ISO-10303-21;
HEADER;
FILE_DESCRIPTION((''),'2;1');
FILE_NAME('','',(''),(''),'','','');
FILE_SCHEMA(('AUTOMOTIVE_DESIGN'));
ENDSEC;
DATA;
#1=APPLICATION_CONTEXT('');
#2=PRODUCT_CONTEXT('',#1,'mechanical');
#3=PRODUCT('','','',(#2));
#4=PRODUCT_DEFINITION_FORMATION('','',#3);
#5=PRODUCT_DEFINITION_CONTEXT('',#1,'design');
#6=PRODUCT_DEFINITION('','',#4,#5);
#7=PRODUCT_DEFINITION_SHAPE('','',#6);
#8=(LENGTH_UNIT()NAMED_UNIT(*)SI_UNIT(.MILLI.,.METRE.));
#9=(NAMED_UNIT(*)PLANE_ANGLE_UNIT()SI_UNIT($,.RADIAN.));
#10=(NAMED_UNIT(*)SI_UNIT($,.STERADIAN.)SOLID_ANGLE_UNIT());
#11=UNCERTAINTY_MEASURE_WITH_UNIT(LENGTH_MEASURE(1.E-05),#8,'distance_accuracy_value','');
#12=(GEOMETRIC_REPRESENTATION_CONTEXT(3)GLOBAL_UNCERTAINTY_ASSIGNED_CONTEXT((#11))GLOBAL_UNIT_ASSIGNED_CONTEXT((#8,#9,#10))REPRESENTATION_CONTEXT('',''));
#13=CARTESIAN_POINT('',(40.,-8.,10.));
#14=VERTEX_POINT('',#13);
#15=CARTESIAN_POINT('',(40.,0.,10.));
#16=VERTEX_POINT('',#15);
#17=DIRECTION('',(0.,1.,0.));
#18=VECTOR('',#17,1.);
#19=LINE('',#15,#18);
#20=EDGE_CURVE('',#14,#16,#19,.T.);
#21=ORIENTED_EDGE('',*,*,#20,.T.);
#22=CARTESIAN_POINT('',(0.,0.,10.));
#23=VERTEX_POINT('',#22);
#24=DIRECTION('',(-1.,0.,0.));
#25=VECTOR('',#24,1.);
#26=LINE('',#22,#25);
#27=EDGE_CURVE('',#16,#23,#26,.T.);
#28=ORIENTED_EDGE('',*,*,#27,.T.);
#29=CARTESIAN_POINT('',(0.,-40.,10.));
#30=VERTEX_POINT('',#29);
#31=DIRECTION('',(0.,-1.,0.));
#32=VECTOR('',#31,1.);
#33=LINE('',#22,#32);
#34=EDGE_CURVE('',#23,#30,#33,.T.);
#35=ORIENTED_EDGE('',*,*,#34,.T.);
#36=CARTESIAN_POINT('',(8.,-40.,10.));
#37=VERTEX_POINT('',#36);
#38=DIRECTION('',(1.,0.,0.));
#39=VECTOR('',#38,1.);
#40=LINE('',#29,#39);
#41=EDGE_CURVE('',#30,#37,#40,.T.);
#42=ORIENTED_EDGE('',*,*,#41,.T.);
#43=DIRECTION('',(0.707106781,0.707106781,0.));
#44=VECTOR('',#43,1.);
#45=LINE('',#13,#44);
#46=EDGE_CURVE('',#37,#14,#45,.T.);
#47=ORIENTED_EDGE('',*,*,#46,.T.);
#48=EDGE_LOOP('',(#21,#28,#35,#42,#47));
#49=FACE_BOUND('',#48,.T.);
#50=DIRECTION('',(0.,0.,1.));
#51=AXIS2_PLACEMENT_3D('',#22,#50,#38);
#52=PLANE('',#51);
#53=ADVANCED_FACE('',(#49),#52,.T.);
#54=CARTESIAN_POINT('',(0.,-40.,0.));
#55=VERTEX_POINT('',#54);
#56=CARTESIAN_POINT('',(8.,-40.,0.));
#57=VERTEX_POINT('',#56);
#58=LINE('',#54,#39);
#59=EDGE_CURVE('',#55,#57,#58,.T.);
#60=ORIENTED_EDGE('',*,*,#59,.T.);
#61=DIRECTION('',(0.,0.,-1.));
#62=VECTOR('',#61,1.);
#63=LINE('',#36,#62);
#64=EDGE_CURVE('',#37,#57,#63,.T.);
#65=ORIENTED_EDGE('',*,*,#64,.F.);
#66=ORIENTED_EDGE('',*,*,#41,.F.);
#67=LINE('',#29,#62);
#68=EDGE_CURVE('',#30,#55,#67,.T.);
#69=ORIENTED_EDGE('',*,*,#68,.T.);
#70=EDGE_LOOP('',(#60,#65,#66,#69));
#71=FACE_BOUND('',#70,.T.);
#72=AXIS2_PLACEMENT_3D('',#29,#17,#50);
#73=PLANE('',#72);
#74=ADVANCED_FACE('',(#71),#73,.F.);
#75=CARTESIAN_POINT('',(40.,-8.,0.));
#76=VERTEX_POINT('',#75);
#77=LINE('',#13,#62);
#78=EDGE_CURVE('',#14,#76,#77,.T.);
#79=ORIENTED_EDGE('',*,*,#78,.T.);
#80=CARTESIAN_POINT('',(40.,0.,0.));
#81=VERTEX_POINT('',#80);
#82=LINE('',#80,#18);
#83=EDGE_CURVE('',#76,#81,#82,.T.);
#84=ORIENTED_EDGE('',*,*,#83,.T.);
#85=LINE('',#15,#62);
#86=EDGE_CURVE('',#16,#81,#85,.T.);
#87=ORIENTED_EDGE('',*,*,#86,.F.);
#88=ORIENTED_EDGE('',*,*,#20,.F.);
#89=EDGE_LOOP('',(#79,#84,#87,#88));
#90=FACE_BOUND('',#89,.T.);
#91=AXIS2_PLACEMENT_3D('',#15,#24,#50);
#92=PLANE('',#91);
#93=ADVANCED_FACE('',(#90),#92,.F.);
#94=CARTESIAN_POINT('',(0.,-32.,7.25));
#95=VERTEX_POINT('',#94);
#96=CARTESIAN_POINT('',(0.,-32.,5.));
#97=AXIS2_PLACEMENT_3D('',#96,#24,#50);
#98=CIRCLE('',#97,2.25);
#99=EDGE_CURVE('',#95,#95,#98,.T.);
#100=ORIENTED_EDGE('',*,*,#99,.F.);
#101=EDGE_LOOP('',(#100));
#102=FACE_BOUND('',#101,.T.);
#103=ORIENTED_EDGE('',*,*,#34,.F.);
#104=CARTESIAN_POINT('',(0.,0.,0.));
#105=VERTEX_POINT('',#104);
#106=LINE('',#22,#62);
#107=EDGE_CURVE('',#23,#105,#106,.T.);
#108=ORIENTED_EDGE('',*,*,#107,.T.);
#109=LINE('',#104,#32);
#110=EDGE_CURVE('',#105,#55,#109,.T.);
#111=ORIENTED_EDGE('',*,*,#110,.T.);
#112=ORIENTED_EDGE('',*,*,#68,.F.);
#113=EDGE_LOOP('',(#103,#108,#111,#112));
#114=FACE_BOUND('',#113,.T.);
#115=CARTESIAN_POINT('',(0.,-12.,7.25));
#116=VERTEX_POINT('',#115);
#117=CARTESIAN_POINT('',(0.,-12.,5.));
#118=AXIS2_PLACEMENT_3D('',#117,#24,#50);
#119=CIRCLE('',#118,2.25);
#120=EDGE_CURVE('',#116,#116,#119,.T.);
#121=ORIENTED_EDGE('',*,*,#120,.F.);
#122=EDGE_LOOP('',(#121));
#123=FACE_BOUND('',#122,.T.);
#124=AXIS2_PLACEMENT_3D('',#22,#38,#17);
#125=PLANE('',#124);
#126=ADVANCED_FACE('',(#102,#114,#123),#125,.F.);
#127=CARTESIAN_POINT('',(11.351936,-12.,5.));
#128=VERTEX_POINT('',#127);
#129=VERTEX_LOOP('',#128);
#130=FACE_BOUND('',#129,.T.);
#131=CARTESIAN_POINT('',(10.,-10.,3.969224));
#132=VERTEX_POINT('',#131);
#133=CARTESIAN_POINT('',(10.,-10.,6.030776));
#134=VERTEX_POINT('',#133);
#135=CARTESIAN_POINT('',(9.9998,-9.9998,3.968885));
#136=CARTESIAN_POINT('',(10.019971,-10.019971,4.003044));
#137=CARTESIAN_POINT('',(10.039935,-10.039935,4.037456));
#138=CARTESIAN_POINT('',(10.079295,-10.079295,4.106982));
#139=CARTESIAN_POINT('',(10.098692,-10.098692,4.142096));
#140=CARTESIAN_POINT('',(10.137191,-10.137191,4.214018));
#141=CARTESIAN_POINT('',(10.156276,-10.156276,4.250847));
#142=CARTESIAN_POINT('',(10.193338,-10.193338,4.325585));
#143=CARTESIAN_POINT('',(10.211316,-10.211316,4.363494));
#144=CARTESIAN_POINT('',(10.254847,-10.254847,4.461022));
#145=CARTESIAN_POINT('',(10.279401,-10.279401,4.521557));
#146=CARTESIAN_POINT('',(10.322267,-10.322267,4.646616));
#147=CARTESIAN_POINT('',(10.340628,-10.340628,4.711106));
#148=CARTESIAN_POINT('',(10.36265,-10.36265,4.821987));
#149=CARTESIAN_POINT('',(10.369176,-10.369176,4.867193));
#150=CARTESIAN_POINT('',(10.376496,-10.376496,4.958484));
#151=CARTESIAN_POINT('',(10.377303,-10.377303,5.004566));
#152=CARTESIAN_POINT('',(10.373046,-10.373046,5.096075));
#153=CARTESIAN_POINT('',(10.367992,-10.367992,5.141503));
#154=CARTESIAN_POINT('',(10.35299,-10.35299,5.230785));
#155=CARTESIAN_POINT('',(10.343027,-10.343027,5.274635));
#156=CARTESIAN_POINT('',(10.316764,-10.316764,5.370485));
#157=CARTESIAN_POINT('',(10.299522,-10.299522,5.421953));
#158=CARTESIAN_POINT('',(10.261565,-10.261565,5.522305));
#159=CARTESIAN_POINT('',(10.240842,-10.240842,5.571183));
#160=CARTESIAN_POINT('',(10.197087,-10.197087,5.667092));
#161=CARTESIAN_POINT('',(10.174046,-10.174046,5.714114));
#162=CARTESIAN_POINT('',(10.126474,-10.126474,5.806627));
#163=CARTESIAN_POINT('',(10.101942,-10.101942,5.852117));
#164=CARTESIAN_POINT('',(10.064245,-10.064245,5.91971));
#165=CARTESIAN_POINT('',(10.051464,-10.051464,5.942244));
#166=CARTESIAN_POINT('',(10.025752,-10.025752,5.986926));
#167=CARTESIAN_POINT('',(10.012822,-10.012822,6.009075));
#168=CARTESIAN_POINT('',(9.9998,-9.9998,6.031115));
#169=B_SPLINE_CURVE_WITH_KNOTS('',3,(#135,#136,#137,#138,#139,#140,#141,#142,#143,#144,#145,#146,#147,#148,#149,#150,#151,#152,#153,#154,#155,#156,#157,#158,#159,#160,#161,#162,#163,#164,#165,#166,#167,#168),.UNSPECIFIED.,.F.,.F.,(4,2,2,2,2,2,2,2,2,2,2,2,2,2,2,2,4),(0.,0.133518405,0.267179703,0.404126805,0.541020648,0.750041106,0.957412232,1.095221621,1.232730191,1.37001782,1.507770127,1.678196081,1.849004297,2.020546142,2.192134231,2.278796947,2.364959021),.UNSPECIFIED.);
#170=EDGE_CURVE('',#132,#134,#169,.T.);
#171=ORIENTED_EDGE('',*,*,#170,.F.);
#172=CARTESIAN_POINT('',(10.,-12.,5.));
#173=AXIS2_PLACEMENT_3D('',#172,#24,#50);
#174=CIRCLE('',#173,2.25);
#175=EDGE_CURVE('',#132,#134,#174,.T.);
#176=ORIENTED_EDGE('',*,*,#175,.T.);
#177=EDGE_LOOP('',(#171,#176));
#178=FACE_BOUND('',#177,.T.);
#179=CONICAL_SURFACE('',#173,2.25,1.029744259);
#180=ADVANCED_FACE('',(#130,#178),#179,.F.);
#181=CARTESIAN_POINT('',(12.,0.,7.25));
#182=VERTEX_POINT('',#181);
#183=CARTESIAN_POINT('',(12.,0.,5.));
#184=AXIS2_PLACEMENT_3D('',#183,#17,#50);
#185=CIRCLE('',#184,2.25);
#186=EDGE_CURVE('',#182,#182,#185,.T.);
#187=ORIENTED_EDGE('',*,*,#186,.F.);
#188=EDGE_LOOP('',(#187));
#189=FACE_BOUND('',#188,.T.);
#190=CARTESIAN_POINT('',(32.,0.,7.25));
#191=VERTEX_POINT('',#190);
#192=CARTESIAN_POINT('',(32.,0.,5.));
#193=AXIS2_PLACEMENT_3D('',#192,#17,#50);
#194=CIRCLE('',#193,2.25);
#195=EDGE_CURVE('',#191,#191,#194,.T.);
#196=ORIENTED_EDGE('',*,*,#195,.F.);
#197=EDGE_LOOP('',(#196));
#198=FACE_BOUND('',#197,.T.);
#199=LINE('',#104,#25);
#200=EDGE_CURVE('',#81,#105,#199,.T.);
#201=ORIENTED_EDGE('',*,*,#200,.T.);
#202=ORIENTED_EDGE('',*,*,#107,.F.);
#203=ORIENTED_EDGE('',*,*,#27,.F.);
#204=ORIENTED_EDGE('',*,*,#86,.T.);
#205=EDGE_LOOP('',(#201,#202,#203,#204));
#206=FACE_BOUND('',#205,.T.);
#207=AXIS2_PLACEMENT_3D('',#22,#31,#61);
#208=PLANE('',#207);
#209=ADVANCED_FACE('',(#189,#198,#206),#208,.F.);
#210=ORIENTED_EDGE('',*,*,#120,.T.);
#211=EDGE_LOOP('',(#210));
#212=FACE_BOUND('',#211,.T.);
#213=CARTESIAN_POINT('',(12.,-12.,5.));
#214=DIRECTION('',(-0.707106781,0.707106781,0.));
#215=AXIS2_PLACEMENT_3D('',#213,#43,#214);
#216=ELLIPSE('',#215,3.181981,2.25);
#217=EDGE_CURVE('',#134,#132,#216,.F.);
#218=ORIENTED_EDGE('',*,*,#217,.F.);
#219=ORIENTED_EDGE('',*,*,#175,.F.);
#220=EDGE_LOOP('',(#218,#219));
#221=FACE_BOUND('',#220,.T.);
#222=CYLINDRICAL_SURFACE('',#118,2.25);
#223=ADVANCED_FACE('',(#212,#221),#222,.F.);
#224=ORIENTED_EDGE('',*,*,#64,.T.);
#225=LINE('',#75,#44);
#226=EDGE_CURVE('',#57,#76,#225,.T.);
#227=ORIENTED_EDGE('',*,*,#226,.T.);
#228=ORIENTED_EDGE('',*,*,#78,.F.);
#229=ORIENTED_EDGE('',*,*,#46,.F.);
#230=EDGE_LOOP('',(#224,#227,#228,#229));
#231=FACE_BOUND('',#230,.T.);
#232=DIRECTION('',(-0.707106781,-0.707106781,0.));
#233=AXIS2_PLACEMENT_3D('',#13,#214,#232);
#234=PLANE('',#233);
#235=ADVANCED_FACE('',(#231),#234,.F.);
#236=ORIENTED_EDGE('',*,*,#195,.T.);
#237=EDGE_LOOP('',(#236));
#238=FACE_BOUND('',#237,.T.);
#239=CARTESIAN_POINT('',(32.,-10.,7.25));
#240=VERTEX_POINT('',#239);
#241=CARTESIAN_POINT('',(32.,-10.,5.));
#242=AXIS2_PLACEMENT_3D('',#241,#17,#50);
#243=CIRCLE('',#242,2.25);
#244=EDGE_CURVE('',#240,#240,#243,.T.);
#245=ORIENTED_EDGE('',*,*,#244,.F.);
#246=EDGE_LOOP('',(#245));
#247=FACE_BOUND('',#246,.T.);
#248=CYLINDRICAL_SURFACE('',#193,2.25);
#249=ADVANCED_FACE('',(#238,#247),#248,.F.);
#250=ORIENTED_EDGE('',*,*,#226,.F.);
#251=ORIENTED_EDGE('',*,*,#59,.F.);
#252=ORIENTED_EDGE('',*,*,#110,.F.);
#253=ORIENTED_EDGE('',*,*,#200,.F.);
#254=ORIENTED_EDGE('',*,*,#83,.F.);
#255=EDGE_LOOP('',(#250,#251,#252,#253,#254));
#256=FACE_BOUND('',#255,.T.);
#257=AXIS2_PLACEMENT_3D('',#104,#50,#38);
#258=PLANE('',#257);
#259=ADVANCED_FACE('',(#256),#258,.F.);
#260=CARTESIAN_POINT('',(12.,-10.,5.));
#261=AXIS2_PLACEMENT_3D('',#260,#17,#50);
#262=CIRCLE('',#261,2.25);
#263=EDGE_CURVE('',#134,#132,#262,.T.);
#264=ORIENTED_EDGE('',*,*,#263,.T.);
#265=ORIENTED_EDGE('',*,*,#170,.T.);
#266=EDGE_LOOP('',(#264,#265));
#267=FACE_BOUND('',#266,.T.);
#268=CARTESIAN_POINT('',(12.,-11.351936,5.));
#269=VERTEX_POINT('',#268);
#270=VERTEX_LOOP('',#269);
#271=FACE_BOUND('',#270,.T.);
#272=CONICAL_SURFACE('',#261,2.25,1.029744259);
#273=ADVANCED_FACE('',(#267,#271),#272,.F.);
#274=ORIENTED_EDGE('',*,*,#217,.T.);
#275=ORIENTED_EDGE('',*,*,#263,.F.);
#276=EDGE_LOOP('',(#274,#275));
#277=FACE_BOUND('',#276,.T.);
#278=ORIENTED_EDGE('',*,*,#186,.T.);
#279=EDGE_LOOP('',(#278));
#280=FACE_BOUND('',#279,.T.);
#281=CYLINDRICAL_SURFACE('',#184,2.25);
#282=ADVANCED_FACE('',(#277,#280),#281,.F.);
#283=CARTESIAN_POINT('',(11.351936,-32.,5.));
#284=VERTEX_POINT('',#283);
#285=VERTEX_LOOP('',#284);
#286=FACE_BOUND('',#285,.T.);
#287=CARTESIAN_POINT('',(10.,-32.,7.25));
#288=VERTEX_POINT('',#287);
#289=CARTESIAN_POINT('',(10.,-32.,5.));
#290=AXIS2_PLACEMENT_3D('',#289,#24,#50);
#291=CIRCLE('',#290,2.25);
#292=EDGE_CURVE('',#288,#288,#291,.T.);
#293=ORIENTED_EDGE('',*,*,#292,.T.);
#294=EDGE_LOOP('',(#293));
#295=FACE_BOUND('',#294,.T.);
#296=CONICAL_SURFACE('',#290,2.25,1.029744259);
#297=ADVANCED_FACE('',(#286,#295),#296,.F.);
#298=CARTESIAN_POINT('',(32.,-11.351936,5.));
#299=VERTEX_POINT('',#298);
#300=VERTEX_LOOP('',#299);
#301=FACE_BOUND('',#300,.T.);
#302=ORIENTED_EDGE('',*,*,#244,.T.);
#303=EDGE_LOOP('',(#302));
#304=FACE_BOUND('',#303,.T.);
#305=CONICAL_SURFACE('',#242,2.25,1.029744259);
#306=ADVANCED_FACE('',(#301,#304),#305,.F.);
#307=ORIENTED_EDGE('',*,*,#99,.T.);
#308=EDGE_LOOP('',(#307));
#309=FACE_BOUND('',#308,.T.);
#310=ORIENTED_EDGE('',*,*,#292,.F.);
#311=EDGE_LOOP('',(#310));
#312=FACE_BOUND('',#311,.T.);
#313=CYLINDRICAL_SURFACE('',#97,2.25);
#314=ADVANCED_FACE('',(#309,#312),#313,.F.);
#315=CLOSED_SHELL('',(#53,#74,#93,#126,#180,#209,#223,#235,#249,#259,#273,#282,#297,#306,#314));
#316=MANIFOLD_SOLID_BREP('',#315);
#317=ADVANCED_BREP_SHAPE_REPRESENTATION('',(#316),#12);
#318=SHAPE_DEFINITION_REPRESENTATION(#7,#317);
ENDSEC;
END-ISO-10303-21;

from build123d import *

# Parameters (mm, degrees)
SALIENTE_EXTRUIR1_DEPTH          = 10
TALADRO_DE_MARGEN_PARA_M41_D     = 4.5
TALADRO_DE_MARGEN_PARA_M41_DEPTH = 10
TALADRO_DE_MARGEN_PARA_M41_TIP   = 1.351936393
TALADRO_DE_MARGEN_PARA_M42_D     = 4.5
TALADRO_DE_MARGEN_PARA_M42_DEPTH = 10
TALADRO_DE_MARGEN_PARA_M42_TIP   = 1.351936393


with BuildPart() as part:
    # Croquis1 → Saliente-Extruir1 (new body)
    with BuildSketch(Plane.XY):
        Polygon((40, -8), (8, -40), (0, -40), (0, 0), (40, 0), align=None)
    extrude(amount=SALIENTE_EXTRUIR1_DEPTH)

    # Taladro de margen para M41
    with Locations(Plane(origin=(0, 0, 0), x_dir=(1, 0, 0), z_dir=(0, 1, 0))):
        with Locations((12, -5), (32, -5)):
            Hole(TALADRO_DE_MARGEN_PARA_M41_D / 2, depth=TALADRO_DE_MARGEN_PARA_M41_DEPTH)
            with Locations((0, 0, -(TALADRO_DE_MARGEN_PARA_M41_DEPTH + TALADRO_DE_MARGEN_PARA_M41_TIP / 2))):  # 118° drill point
                Cone(0, TALADRO_DE_MARGEN_PARA_M41_D / 2, TALADRO_DE_MARGEN_PARA_M41_TIP, mode=Mode.SUBTRACT)

    # Taladro de margen para M42
    with Locations(Plane.ZY):
        with Locations((5, -12), (5, -32)):
            Hole(TALADRO_DE_MARGEN_PARA_M42_D / 2, depth=TALADRO_DE_MARGEN_PARA_M42_DEPTH)
            with Locations((0, 0, -(TALADRO_DE_MARGEN_PARA_M42_DEPTH + TALADRO_DE_MARGEN_PARA_M42_TIP / 2))):  # 118° drill point
                Cone(0, TALADRO_DE_MARGEN_PARA_M42_D / 2, TALADRO_DE_MARGEN_PARA_M42_TIP, mode=Mode.SUBTRACT)


solid = part.part
